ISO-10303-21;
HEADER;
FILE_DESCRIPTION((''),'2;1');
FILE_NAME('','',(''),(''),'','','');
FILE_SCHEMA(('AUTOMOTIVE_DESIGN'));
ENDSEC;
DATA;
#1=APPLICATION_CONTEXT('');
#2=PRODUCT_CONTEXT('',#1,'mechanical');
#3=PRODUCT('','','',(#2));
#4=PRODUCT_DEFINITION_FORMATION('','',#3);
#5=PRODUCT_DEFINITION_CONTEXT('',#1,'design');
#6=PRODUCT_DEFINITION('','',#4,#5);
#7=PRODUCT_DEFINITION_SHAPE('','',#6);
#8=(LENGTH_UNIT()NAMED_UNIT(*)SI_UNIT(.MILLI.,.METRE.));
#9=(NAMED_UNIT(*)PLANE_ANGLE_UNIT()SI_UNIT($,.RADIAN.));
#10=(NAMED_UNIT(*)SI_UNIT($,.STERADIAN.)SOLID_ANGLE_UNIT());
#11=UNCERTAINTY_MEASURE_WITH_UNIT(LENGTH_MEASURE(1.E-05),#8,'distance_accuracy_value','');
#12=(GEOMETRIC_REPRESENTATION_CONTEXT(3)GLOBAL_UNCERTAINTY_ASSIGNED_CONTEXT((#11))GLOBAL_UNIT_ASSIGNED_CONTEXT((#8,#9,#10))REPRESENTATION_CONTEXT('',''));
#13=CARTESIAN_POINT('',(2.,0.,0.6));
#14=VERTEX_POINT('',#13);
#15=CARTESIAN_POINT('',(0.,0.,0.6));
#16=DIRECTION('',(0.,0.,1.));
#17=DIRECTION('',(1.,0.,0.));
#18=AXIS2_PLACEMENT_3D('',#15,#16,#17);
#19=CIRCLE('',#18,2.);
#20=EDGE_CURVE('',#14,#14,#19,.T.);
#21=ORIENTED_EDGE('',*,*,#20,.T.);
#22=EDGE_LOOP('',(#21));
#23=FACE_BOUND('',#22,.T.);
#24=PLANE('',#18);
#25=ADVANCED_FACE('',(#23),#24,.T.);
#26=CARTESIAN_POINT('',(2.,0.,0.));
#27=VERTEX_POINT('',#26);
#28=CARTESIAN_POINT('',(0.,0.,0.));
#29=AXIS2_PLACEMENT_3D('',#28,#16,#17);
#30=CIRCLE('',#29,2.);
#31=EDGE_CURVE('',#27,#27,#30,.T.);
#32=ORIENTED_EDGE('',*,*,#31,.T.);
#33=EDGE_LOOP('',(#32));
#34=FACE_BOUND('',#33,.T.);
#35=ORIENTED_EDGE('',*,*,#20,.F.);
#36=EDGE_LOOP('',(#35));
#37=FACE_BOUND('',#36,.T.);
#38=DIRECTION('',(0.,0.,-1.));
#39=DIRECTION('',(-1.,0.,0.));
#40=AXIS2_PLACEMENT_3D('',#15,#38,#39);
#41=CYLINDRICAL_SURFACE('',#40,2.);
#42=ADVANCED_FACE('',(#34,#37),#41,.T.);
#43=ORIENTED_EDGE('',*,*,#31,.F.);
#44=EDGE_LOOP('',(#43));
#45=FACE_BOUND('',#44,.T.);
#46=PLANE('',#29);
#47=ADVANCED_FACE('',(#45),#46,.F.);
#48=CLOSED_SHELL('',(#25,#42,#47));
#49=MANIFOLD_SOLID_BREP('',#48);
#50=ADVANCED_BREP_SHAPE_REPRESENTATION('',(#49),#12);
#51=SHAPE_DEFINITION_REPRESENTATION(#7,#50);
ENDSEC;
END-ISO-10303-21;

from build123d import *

# Parameters (mm, degrees)
ESQUISSE1_R        = 2
BOSS_EXTRU_1_DEPTH = 0.6


with BuildPart() as part:
    # Esquisse1 → Boss.-Extru.1 (new body)
    with BuildSketch(Plane.XY):
        Circle(ESQUISSE1_R)
    extrude(amount=BOSS_EXTRU_1_DEPTH)


solid = part.part
